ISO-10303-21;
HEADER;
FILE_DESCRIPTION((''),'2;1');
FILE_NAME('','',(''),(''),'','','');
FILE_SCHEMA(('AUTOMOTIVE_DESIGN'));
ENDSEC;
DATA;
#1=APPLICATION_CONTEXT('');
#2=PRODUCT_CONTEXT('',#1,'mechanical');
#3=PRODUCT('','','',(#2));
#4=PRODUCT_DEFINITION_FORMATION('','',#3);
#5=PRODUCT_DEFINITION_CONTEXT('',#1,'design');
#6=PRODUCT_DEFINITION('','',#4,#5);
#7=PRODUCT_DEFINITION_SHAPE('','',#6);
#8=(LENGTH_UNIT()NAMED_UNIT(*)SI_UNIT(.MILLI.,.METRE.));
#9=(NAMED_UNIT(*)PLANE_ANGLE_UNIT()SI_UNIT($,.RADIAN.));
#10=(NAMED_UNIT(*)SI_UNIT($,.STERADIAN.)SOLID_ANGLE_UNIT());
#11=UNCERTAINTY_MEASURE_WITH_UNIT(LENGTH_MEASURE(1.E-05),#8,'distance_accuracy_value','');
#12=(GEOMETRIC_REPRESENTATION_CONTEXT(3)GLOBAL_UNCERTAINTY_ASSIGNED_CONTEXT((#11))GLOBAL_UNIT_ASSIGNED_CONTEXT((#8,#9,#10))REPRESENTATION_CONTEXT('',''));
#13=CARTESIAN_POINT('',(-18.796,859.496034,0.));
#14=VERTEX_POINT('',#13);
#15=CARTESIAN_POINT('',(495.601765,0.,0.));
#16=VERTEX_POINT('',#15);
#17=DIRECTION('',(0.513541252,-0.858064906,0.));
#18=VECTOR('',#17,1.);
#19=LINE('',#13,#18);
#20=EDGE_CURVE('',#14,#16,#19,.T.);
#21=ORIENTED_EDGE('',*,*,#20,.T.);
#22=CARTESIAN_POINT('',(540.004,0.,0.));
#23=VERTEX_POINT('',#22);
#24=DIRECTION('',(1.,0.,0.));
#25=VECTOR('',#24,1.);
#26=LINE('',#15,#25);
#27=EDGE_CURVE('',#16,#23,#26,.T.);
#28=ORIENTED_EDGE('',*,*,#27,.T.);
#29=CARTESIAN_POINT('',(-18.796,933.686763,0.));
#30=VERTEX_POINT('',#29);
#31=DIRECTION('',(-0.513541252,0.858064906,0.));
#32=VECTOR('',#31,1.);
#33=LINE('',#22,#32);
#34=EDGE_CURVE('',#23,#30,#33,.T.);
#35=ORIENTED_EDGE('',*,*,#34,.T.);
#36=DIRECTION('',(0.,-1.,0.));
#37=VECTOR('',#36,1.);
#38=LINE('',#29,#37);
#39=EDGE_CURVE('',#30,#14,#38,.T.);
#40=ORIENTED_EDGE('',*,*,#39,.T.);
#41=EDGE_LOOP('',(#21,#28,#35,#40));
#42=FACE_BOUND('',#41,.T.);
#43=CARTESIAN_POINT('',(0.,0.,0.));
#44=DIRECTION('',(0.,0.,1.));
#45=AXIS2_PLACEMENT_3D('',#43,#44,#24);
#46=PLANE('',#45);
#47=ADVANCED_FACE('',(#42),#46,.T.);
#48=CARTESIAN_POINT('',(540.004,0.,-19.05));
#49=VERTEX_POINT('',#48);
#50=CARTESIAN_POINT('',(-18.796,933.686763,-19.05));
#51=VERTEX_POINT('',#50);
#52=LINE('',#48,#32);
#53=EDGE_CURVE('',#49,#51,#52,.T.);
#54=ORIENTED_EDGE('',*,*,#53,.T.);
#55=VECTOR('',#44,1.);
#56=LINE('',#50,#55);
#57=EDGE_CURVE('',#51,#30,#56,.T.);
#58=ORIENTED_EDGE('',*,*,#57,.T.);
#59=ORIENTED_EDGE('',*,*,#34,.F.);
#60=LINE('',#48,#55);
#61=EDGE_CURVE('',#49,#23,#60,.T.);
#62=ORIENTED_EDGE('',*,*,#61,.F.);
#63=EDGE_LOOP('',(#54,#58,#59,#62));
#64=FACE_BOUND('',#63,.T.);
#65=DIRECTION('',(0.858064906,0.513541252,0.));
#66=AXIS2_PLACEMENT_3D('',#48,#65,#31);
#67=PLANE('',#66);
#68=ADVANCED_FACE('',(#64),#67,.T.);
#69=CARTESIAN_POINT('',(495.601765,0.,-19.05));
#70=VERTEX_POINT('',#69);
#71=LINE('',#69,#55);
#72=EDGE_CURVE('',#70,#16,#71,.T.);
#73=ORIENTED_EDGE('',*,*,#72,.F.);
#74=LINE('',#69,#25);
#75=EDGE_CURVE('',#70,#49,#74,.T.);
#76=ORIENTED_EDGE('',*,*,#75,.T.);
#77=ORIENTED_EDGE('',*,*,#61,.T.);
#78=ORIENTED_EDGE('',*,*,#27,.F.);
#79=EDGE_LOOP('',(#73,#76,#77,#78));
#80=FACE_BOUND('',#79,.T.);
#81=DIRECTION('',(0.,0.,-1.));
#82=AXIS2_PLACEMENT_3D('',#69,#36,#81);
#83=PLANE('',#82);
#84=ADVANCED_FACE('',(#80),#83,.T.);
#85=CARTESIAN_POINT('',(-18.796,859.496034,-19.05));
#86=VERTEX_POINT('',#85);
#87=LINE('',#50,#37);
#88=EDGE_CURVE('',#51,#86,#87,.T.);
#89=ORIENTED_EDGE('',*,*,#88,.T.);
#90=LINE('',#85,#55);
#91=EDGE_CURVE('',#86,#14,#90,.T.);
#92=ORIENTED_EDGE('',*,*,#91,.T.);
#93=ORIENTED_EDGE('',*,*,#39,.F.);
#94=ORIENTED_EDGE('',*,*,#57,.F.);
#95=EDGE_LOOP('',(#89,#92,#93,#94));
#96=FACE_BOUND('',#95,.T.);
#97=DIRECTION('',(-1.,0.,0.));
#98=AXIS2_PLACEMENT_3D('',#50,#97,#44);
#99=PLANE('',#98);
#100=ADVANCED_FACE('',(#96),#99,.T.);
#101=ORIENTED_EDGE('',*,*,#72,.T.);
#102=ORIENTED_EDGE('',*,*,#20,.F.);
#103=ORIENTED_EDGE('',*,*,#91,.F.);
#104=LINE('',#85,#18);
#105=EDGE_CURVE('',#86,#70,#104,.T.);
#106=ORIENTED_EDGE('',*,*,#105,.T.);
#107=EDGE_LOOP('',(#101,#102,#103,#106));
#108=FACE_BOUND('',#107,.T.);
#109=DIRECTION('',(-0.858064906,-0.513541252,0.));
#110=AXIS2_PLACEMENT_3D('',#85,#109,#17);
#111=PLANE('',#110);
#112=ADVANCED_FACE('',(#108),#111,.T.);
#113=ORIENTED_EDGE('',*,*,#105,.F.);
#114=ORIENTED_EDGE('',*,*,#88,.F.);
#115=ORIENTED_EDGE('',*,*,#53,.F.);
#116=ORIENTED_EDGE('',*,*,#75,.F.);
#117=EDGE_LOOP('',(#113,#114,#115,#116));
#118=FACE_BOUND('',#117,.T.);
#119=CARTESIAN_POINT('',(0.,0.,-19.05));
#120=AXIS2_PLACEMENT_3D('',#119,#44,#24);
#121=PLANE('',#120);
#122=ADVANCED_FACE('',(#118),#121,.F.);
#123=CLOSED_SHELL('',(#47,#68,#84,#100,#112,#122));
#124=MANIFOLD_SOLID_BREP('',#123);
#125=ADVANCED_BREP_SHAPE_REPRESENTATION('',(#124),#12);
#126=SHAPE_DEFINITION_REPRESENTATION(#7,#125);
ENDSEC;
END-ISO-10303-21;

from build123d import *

# Parameters (mm, degrees)
BOSS_EXTRUDE1_DEPTH = 19.05


with BuildPart() as part:
    # Sketch1 → Boss-Extrude1 (new body)
    with BuildSketch(Plane.XY):
        Polygon((540.004, 0), (-18.796, 933.686763034), (-18.796, 859.496033764), (495.601764521, 0), align=None)
    extrude(amount=-BOSS_EXTRUDE1_DEPTH)


solid = part.part
